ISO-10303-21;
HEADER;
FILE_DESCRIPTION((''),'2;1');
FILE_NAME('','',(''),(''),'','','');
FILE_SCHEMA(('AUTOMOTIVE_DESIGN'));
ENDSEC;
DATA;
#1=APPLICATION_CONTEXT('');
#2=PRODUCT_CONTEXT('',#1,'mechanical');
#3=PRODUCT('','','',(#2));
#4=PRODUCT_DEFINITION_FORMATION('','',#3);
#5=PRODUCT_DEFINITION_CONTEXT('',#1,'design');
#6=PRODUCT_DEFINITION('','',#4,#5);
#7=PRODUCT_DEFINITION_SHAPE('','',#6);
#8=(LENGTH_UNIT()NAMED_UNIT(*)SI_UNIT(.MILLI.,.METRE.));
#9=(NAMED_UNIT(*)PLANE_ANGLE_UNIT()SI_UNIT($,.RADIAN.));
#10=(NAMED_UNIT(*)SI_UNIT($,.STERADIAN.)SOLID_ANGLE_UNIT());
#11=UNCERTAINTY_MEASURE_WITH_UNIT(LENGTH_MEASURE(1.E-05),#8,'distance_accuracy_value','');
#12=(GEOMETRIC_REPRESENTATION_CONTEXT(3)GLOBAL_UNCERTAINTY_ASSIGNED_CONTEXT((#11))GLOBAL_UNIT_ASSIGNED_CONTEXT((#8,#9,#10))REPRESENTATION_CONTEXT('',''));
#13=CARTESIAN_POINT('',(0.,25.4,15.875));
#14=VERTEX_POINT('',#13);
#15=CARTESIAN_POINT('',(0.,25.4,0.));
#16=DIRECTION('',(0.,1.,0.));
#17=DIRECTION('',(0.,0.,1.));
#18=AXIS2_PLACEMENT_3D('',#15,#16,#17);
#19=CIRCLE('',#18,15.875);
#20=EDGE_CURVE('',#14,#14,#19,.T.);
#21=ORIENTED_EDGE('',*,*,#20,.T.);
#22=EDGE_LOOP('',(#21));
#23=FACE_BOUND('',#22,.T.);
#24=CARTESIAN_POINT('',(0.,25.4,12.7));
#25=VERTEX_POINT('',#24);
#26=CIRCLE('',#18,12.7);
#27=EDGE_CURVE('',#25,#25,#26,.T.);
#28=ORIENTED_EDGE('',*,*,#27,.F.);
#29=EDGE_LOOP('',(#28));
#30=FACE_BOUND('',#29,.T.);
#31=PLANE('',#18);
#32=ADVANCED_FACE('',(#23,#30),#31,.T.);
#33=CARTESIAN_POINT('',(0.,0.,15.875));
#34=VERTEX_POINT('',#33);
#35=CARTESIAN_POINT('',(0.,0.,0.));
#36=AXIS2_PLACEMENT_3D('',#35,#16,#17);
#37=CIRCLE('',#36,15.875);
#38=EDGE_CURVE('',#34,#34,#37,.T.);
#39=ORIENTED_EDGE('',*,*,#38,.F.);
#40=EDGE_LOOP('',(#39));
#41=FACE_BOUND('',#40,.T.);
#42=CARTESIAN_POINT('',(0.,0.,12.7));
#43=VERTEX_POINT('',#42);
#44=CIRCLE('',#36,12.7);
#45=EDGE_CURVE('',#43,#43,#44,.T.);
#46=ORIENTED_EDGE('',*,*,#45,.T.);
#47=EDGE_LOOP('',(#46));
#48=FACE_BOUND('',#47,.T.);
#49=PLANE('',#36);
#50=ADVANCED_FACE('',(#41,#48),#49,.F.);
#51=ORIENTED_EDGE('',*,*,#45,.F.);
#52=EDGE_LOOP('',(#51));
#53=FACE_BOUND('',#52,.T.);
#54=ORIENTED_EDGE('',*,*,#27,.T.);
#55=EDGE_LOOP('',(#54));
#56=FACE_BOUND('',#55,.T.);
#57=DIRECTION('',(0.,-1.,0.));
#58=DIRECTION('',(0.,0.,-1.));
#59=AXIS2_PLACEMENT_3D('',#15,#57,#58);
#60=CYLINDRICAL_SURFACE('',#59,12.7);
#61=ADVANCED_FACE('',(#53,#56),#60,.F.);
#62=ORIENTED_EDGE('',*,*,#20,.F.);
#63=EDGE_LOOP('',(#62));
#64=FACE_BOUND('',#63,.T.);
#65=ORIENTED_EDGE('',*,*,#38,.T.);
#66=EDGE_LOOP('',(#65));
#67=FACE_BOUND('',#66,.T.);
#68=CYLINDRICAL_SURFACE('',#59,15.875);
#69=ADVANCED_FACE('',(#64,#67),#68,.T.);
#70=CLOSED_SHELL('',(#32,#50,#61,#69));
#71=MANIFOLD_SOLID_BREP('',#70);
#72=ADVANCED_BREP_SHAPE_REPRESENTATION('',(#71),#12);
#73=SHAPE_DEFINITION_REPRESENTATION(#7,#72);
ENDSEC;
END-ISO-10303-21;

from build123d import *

# Parameters (mm, degrees)
SKETCH1_R           = 15.875
SKETCH1_R_2         = 12.7
BOSS_EXTRUDE1_DEPTH = 25.4


with BuildPart() as part:
    # Sketch1 → Boss-Extrude1 (new body)
    with BuildSketch(Plane(origin=(0, 0, 0), x_dir=(1, 0, 0), z_dir=(0, 1, 0))):
        Circle(SKETCH1_R)
        Circle(SKETCH1_R_2, mode=Mode.SUBTRACT)
    extrude(amount=BOSS_EXTRUDE1_DEPTH)


solid = part.part
